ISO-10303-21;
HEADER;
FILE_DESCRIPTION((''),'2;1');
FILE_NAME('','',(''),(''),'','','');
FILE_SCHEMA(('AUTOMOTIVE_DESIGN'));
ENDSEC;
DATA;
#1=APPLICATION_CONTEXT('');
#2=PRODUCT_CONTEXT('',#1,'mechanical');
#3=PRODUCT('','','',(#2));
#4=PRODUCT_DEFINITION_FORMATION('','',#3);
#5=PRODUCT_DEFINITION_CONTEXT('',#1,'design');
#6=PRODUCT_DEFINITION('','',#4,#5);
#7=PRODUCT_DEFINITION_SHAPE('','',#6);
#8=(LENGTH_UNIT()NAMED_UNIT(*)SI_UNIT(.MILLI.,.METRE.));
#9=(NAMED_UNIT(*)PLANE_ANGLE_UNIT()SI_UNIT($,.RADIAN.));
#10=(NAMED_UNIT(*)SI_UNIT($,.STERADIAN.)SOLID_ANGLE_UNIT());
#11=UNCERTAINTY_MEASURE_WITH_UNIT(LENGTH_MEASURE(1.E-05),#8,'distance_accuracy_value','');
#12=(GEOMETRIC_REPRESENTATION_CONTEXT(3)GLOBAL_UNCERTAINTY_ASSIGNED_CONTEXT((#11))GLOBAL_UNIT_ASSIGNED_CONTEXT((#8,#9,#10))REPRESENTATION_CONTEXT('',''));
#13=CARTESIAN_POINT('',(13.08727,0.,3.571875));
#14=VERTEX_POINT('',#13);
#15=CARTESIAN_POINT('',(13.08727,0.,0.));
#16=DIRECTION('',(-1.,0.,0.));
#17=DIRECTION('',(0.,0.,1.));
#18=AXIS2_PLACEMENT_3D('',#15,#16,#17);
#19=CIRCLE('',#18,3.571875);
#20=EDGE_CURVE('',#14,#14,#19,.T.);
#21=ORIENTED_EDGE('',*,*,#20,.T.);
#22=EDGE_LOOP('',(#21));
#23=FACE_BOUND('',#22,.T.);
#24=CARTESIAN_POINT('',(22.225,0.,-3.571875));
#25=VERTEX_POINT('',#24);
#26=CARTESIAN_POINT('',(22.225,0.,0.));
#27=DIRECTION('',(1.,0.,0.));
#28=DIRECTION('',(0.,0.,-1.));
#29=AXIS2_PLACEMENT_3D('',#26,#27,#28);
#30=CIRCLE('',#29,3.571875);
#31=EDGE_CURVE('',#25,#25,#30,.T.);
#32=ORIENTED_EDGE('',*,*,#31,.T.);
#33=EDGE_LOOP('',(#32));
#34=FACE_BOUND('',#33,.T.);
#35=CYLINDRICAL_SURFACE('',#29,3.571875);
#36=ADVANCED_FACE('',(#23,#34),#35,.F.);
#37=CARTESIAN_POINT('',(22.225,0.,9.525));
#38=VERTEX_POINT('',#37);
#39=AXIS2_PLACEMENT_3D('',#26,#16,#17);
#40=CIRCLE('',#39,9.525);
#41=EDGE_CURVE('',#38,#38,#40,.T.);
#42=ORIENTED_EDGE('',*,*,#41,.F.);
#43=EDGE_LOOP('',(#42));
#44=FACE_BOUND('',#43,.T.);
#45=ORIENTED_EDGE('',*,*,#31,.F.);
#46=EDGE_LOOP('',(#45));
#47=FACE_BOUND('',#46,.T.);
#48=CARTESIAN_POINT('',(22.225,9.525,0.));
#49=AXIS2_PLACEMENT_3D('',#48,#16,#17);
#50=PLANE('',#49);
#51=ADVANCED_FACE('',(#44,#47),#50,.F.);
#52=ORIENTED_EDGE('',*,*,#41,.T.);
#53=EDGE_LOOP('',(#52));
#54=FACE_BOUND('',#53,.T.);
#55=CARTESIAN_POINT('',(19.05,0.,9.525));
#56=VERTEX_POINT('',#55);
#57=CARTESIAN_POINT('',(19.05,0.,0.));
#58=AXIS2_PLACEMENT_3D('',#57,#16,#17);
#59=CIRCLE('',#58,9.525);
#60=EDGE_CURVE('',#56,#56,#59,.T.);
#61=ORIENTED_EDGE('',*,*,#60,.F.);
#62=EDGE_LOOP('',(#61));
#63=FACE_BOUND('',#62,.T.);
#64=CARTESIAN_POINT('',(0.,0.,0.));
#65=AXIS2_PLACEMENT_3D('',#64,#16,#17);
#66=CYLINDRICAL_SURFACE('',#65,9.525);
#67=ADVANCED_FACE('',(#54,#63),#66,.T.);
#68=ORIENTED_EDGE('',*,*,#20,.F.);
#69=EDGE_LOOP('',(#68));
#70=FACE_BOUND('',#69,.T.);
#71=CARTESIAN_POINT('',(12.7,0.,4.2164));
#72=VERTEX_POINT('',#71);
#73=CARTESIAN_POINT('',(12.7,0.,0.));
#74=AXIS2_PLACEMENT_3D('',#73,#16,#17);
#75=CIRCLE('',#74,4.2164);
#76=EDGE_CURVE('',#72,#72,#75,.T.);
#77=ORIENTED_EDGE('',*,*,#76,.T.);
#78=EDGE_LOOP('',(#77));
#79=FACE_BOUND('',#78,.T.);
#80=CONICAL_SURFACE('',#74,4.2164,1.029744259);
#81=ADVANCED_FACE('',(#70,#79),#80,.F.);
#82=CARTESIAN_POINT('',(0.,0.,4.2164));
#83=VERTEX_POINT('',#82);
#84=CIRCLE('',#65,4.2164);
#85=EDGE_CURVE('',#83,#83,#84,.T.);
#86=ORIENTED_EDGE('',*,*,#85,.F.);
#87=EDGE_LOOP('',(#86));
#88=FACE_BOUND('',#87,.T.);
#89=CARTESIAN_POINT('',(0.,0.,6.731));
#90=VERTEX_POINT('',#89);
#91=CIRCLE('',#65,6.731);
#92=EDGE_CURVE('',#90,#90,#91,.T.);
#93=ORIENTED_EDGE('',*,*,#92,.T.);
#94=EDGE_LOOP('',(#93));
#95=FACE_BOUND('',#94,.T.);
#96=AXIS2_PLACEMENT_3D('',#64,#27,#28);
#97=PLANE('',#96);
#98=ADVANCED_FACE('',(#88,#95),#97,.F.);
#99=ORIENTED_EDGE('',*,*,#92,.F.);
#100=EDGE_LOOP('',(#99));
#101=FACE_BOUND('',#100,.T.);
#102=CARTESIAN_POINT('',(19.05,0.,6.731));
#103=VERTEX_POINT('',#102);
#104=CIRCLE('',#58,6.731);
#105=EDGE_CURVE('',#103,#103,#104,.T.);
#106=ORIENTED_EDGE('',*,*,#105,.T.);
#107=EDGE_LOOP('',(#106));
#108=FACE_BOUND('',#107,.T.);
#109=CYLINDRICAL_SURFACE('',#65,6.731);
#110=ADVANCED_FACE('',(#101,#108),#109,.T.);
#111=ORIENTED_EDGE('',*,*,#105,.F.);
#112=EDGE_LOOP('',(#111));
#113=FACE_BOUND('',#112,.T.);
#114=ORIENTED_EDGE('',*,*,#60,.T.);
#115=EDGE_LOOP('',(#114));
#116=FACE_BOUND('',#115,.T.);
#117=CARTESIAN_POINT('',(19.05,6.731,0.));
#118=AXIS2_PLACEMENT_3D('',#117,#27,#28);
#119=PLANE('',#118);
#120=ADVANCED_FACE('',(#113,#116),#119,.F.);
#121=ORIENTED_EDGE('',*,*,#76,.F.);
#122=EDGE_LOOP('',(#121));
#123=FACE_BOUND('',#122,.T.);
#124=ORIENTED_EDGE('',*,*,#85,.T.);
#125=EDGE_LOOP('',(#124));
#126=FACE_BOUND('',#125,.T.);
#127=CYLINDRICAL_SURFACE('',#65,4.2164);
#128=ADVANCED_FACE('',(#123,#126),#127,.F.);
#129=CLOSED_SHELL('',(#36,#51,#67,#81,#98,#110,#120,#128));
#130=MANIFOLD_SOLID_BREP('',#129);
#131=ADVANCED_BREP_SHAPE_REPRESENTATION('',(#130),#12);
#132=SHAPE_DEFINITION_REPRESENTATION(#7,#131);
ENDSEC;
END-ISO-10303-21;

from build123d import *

# Parameters (mm, degrees)
F_9_32_0_28125_DIAMETER_HOLE1_D   = 7.14375
PIPE_TAP_DRILL_FOR_1_8_TAP2_D     = 8.4328
PIPE_TAP_DRILL_FOR_1_8_TAP2_DEPTH = 12.7
PIPE_TAP_DRILL_FOR_1_8_TAP2_TIP   = 2.533468714


with BuildPart() as part:
    # Sketch1 → Revolve1 (revolve)
    with BuildSketch(Plane.XY, mode=Mode.PRIVATE) as revolve1_sk:
        Polygon((0, 0), (0, 6.731), (19.05, 6.731), (19.05, 9.525), (22.225, 9.525), (22.225, 0), align=None)
    revolve(revolve1_sk.sketch.rotate(Axis((0, 0, 0), (1, 0, 0)), 90), axis=Axis((0, 0, 0), (1, 0, 0)))

    # 9/32 (0.28125) Diameter Hole1 (through all)
    with Locations(Plane(origin=(22.225, 0, 0), x_dir=(0, 0, -1), z_dir=(1, 0, 0))):
        with Locations((0, 0)):
            Hole(F_9_32_0_28125_DIAMETER_HOLE1_D / 2)

    # Pipe Tap Drill for 1/8 Tap2
    with Locations(Plane.ZY):
        with Locations((0, 0)):
            Hole(PIPE_TAP_DRILL_FOR_1_8_TAP2_D / 2, depth=PIPE_TAP_DRILL_FOR_1_8_TAP2_DEPTH)
            with Locations((0, 0, -(PIPE_TAP_DRILL_FOR_1_8_TAP2_DEPTH + PIPE_TAP_DRILL_FOR_1_8_TAP2_TIP / 2))):  # 118° drill point
                Cone(0, PIPE_TAP_DRILL_FOR_1_8_TAP2_D / 2, PIPE_TAP_DRILL_FOR_1_8_TAP2_TIP, mode=Mode.SUBTRACT)


solid = part.part
